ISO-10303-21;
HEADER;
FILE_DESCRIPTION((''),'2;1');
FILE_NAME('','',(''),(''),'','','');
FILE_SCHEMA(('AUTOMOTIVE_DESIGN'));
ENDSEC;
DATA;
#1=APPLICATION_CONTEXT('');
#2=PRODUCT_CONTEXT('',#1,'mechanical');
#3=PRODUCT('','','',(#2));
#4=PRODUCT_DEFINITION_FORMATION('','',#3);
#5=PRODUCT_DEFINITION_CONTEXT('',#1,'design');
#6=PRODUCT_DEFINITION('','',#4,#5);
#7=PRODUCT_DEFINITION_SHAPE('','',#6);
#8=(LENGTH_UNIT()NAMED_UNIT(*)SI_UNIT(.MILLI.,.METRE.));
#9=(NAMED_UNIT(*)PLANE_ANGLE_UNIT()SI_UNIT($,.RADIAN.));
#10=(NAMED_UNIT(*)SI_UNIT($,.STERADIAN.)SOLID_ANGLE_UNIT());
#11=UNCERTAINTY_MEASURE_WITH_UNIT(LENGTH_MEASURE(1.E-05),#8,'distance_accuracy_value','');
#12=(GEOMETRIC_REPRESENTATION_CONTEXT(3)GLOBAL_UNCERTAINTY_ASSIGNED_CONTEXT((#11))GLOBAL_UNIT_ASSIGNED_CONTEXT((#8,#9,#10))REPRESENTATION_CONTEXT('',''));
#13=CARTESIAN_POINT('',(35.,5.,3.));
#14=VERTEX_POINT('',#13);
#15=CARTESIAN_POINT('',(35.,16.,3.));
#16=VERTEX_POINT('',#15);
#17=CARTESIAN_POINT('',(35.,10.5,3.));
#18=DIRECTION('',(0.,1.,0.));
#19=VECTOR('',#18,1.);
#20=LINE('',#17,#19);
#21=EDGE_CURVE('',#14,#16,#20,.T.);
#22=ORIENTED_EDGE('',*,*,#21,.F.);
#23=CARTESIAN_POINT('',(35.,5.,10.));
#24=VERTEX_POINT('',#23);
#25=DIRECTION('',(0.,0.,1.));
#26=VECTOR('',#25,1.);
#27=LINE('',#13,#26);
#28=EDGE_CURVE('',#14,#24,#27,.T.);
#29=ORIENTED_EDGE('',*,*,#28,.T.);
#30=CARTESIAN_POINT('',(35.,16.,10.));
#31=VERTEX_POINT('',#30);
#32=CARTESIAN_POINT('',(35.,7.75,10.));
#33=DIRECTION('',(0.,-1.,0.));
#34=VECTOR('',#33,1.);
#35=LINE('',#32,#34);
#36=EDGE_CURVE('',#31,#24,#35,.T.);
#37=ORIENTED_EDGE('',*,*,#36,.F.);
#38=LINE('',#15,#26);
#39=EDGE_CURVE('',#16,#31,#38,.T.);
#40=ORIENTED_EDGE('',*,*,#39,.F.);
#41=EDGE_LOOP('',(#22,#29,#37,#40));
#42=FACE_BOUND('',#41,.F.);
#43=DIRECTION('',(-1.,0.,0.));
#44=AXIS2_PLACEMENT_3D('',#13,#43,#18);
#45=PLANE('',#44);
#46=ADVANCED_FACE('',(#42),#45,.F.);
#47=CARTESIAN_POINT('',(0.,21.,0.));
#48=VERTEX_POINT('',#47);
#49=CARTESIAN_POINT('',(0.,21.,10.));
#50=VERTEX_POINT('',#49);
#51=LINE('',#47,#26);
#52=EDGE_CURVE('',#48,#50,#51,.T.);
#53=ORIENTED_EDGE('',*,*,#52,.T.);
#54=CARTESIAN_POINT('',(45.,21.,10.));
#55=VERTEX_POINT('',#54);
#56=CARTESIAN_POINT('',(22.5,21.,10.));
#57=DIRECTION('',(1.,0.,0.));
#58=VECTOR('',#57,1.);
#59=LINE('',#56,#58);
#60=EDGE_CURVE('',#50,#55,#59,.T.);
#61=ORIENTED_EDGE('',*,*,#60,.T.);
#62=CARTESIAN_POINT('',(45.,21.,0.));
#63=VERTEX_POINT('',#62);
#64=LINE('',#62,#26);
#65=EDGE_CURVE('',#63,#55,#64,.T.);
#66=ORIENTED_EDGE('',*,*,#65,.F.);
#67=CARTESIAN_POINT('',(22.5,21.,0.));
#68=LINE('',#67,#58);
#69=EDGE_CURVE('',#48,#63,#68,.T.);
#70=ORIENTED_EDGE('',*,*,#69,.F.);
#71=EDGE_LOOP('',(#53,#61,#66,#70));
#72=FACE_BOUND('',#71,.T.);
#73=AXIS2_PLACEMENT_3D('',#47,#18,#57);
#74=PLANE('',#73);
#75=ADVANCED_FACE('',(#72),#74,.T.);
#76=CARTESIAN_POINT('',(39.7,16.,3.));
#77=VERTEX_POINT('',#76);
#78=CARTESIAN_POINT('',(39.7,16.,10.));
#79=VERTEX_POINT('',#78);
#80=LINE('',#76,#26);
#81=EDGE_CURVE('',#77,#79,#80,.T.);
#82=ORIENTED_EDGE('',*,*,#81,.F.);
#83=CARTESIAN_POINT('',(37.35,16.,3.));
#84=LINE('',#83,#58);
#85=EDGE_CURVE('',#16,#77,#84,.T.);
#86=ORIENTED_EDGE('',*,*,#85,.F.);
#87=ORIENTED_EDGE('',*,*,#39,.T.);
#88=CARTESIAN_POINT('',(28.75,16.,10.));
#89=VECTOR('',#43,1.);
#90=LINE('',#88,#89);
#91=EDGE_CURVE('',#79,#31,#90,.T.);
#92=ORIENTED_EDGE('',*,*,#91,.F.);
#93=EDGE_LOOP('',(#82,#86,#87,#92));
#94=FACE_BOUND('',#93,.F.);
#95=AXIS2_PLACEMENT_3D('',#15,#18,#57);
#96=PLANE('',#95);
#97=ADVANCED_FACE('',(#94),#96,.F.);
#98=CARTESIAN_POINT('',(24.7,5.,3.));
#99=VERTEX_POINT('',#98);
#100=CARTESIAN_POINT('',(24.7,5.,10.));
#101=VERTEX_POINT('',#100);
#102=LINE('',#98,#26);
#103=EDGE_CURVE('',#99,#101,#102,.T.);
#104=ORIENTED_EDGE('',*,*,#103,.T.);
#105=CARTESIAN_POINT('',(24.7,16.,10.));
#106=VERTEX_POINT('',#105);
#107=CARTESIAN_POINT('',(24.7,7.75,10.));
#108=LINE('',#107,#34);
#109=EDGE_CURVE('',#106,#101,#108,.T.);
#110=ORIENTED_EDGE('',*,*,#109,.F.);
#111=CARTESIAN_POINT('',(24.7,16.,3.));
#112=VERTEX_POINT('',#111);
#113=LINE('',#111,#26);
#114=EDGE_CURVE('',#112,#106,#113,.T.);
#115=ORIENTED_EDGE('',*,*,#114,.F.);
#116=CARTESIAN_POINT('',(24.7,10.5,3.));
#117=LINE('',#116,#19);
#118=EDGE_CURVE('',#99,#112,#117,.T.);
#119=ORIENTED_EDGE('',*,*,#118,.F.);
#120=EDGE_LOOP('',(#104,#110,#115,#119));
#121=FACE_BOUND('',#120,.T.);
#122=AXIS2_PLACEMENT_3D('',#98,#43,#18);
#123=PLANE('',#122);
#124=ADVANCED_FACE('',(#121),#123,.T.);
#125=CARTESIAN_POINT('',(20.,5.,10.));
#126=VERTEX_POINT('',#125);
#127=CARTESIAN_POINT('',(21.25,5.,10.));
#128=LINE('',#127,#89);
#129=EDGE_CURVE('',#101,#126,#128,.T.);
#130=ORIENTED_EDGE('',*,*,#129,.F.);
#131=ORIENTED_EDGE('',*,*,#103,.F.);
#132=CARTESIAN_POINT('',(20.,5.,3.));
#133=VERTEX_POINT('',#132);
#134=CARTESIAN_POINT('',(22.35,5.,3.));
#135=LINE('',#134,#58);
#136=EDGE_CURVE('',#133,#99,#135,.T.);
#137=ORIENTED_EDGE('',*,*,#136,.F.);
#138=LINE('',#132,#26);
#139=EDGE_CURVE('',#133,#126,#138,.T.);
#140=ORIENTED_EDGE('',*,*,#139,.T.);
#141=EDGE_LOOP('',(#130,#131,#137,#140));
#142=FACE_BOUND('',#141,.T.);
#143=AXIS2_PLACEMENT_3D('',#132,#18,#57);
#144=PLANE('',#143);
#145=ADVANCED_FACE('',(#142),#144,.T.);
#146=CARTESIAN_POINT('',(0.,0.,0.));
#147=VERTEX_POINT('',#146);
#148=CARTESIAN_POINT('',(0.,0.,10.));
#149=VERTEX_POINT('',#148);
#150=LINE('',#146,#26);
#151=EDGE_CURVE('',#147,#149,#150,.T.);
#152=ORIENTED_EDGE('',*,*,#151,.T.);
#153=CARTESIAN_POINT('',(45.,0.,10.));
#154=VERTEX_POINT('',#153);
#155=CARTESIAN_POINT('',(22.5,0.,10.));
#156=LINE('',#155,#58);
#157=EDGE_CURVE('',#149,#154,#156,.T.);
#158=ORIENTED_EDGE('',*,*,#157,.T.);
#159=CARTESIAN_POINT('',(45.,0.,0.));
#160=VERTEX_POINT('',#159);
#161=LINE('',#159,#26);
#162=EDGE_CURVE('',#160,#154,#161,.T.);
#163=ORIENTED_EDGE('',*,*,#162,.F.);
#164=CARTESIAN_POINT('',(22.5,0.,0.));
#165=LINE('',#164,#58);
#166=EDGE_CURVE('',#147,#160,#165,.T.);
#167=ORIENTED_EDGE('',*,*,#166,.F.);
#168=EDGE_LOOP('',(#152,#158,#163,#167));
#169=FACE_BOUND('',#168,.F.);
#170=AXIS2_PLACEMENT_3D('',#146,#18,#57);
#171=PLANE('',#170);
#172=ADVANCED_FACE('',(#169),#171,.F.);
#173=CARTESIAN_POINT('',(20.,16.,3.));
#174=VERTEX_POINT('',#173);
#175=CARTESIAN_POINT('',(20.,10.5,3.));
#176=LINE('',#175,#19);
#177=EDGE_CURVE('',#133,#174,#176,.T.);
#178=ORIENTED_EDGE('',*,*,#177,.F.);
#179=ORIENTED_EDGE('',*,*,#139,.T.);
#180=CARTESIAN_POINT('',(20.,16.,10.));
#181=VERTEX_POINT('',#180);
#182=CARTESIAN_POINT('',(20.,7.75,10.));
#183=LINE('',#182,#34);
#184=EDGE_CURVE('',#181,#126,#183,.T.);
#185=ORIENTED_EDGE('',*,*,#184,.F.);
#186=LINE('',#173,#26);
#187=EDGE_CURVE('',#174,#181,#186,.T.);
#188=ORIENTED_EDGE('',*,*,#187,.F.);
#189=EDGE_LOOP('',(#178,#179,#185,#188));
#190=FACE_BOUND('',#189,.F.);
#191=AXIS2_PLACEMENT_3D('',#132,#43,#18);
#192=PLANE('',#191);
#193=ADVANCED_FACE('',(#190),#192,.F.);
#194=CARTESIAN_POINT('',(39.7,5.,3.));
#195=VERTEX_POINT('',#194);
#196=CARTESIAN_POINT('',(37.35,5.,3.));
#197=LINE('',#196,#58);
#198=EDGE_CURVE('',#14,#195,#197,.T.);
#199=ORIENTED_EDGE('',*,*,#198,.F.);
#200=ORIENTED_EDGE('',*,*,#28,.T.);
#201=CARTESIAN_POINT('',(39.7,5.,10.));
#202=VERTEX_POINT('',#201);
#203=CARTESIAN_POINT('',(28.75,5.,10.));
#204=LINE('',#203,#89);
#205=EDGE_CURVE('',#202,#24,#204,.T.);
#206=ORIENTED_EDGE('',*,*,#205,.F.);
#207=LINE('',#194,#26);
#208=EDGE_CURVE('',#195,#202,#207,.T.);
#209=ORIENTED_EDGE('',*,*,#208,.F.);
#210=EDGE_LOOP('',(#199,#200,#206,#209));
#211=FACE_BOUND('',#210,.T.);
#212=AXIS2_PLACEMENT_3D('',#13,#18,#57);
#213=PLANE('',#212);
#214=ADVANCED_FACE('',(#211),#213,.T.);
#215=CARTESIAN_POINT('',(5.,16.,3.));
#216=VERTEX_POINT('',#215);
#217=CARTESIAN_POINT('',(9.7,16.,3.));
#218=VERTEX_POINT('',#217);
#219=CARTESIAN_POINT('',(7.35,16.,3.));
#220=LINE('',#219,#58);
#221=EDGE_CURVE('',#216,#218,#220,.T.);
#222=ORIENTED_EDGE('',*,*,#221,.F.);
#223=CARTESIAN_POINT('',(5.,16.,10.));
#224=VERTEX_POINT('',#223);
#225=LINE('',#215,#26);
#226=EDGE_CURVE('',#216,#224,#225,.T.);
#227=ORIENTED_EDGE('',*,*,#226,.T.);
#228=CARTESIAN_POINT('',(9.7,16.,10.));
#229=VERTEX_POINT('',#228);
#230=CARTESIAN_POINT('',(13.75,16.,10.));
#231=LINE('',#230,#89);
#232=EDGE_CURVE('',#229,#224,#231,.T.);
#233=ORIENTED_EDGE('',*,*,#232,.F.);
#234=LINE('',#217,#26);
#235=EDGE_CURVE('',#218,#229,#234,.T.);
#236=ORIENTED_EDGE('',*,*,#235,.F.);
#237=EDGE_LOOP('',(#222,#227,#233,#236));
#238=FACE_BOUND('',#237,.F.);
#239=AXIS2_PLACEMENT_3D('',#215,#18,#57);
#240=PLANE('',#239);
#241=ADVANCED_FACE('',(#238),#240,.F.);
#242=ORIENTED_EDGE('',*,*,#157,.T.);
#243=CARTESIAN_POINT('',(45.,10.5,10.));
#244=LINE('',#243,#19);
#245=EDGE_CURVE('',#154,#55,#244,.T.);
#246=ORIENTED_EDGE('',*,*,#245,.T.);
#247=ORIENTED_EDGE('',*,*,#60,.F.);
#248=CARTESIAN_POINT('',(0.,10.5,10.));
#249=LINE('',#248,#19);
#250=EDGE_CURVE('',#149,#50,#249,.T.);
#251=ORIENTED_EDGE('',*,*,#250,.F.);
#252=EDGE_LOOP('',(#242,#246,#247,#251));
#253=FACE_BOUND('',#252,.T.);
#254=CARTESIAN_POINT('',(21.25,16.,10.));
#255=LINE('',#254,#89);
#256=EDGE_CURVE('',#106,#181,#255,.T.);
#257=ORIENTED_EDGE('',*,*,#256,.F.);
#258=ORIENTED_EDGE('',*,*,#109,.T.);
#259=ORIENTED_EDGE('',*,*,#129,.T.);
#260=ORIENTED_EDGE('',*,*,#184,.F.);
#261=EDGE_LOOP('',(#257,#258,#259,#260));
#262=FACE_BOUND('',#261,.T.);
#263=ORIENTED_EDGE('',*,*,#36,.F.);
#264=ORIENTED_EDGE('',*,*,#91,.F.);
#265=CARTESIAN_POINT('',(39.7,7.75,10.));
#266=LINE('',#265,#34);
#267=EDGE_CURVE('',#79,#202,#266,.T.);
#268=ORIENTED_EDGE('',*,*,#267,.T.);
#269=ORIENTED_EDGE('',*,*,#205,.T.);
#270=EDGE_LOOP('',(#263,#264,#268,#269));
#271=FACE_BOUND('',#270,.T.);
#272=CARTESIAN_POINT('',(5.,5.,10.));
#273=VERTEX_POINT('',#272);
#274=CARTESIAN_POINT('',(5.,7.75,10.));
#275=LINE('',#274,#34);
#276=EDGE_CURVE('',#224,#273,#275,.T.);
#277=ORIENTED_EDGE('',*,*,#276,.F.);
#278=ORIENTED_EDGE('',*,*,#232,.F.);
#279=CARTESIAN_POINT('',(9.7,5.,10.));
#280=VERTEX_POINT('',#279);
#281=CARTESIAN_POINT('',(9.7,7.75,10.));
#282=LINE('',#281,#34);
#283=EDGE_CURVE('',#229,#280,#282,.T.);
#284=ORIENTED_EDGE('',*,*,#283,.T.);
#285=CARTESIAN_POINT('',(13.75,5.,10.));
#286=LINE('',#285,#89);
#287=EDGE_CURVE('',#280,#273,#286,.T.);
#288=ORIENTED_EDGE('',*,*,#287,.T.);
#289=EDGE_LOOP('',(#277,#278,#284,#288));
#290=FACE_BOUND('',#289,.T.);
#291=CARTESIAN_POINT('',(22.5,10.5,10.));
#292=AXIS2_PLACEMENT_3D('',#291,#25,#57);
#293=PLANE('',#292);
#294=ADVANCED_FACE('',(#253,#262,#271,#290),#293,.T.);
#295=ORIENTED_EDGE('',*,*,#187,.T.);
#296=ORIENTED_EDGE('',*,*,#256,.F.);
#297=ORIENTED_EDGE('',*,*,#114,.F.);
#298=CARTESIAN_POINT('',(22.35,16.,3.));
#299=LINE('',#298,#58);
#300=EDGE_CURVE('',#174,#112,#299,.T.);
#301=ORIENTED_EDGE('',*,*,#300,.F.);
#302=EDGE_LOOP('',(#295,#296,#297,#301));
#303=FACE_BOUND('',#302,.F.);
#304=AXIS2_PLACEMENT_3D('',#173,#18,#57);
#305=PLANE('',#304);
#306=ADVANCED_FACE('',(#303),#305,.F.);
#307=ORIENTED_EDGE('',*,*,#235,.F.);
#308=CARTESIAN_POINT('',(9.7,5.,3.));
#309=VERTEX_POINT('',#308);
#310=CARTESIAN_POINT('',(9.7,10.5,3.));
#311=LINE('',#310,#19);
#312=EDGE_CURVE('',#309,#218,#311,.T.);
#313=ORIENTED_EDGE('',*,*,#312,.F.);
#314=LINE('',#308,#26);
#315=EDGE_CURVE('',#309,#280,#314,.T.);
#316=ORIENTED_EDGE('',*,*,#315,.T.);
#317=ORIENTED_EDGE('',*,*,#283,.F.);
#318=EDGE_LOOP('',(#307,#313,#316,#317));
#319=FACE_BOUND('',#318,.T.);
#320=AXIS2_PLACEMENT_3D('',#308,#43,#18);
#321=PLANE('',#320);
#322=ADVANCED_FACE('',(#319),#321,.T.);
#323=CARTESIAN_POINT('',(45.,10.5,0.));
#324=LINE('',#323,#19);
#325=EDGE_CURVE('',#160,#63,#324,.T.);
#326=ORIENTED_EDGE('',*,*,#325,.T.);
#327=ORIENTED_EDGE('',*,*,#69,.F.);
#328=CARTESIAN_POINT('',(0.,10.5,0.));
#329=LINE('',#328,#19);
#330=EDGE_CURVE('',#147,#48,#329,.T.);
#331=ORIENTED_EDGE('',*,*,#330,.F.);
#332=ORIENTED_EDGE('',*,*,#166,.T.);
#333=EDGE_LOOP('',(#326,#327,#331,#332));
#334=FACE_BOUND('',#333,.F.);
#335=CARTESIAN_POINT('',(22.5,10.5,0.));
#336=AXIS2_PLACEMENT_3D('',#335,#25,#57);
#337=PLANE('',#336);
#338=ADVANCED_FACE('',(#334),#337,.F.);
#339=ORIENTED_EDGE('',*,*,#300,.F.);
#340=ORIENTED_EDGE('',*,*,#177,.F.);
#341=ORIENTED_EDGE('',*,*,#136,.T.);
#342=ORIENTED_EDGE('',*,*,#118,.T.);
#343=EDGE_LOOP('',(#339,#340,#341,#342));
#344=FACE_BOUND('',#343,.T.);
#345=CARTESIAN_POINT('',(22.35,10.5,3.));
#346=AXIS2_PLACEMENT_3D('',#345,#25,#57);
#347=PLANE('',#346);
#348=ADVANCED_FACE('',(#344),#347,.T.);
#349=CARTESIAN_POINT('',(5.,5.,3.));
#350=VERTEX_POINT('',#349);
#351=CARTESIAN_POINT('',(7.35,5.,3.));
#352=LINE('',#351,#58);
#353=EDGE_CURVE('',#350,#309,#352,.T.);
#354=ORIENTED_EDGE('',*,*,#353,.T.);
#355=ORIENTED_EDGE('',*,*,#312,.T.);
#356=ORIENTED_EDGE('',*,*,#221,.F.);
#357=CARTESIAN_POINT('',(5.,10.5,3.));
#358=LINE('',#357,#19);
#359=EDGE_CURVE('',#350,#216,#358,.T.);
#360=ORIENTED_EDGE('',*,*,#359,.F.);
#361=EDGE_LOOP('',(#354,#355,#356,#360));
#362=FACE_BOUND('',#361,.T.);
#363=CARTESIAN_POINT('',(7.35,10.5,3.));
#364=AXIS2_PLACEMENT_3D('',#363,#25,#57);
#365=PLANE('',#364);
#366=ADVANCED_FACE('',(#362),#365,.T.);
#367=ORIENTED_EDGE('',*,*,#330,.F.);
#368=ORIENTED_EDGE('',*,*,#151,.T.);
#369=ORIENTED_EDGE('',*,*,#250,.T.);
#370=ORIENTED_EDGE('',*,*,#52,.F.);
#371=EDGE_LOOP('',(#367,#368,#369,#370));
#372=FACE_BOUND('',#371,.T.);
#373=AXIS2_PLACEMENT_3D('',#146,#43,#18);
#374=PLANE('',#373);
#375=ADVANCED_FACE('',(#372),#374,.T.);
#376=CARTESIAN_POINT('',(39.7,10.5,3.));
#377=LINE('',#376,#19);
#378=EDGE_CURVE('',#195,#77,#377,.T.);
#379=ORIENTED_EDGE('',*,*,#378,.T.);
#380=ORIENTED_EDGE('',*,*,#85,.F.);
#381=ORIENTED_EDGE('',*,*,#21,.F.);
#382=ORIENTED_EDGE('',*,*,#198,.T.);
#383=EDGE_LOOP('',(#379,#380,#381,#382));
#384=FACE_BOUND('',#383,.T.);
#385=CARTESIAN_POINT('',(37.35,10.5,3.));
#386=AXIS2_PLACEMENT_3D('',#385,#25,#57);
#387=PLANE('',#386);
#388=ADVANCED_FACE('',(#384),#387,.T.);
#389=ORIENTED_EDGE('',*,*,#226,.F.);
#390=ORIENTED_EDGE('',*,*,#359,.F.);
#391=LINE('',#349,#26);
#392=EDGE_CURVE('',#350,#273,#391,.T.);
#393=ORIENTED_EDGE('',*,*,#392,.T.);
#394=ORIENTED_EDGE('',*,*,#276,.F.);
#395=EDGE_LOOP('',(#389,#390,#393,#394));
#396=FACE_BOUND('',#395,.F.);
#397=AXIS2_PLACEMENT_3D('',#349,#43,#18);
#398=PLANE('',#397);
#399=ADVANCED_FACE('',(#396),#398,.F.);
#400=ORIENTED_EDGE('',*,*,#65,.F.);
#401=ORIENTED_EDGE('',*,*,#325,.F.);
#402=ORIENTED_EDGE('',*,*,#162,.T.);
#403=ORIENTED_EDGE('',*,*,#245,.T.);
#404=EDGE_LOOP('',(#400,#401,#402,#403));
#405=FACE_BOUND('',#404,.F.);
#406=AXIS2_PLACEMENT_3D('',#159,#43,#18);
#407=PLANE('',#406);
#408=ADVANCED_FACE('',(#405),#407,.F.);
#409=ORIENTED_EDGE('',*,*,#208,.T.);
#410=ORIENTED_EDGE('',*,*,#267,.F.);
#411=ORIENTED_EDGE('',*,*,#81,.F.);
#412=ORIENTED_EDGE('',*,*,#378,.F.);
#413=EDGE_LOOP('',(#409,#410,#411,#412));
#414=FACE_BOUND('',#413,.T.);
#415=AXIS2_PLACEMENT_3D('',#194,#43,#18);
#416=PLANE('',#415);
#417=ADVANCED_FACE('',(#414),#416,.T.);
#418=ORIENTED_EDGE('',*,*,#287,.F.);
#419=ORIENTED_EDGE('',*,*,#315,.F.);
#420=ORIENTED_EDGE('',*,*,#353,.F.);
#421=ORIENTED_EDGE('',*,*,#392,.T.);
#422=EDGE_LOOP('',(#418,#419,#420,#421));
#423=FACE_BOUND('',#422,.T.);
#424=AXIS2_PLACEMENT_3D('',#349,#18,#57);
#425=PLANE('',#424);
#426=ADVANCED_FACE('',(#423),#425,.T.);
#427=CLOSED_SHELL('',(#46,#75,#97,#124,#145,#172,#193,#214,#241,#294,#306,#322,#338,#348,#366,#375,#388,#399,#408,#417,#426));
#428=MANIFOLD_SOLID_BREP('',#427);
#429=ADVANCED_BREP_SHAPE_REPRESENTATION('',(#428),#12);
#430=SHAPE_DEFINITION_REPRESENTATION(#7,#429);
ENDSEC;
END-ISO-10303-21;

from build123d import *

# Parameters (mm, degrees)
BOX001_W     = 4.7
BOX001_H     = 11
BOX001_DEPTH = 12
BOX002_W     = 4.7
BOX002_H     = 11
BOX002_DEPTH = 12
BOX_W        = 4.7
BOX_H        = 11
BOX_DEPTH    = 12
BOX003_W     = 45
BOX003_H     = 21
BOX003_DEPTH = 10


with BuildPart() as box001:
    # Box001 → Box001 (new body)
    with BuildSketch(Plane(origin=(15, 0, 0), x_dir=(1, 0, 0), z_dir=(0, 0, 1))):
        with Locations((2.35, 5.5)):
            Rectangle(BOX001_W, BOX001_H)
    extrude(amount=BOX001_DEPTH)


with BuildPart() as box002:
    # Box002 → Box002 (new body)
    with BuildSketch(Plane(origin=(30, 0, 0), x_dir=(1, 0, 0), z_dir=(0, 0, 1))):
        with Locations((2.35, 5.5)):
            Rectangle(BOX002_W, BOX002_H)
    extrude(amount=BOX002_DEPTH)


with BuildPart() as ranuras:
    # Box → Box (new body)
    with BuildSketch(Plane.XY):
        with Locations((2.35, 5.5)):
            Rectangle(BOX_W, BOX_H)
    extrude(amount=BOX_DEPTH)

    # Fusion: union Box001, Box002
    add(box001.part)
    add(box002.part)


with BuildPart() as ranuras_1:
    # Fusion placement: moved
    add(ranuras.part.moved(Location((5, 5, 3))))


with BuildPart() as porta_pendrives:
    # Box003 → Box003 (new body)
    with BuildSketch(Plane.XY):
        with Locations((22.5, 10.5)):
            Rectangle(BOX003_W, BOX003_H)
    extrude(amount=BOX003_DEPTH)

    # Cut: cut Ranuras
    add(ranuras_1.part, mode=Mode.SUBTRACT)


solid = porta_pendrives.part
